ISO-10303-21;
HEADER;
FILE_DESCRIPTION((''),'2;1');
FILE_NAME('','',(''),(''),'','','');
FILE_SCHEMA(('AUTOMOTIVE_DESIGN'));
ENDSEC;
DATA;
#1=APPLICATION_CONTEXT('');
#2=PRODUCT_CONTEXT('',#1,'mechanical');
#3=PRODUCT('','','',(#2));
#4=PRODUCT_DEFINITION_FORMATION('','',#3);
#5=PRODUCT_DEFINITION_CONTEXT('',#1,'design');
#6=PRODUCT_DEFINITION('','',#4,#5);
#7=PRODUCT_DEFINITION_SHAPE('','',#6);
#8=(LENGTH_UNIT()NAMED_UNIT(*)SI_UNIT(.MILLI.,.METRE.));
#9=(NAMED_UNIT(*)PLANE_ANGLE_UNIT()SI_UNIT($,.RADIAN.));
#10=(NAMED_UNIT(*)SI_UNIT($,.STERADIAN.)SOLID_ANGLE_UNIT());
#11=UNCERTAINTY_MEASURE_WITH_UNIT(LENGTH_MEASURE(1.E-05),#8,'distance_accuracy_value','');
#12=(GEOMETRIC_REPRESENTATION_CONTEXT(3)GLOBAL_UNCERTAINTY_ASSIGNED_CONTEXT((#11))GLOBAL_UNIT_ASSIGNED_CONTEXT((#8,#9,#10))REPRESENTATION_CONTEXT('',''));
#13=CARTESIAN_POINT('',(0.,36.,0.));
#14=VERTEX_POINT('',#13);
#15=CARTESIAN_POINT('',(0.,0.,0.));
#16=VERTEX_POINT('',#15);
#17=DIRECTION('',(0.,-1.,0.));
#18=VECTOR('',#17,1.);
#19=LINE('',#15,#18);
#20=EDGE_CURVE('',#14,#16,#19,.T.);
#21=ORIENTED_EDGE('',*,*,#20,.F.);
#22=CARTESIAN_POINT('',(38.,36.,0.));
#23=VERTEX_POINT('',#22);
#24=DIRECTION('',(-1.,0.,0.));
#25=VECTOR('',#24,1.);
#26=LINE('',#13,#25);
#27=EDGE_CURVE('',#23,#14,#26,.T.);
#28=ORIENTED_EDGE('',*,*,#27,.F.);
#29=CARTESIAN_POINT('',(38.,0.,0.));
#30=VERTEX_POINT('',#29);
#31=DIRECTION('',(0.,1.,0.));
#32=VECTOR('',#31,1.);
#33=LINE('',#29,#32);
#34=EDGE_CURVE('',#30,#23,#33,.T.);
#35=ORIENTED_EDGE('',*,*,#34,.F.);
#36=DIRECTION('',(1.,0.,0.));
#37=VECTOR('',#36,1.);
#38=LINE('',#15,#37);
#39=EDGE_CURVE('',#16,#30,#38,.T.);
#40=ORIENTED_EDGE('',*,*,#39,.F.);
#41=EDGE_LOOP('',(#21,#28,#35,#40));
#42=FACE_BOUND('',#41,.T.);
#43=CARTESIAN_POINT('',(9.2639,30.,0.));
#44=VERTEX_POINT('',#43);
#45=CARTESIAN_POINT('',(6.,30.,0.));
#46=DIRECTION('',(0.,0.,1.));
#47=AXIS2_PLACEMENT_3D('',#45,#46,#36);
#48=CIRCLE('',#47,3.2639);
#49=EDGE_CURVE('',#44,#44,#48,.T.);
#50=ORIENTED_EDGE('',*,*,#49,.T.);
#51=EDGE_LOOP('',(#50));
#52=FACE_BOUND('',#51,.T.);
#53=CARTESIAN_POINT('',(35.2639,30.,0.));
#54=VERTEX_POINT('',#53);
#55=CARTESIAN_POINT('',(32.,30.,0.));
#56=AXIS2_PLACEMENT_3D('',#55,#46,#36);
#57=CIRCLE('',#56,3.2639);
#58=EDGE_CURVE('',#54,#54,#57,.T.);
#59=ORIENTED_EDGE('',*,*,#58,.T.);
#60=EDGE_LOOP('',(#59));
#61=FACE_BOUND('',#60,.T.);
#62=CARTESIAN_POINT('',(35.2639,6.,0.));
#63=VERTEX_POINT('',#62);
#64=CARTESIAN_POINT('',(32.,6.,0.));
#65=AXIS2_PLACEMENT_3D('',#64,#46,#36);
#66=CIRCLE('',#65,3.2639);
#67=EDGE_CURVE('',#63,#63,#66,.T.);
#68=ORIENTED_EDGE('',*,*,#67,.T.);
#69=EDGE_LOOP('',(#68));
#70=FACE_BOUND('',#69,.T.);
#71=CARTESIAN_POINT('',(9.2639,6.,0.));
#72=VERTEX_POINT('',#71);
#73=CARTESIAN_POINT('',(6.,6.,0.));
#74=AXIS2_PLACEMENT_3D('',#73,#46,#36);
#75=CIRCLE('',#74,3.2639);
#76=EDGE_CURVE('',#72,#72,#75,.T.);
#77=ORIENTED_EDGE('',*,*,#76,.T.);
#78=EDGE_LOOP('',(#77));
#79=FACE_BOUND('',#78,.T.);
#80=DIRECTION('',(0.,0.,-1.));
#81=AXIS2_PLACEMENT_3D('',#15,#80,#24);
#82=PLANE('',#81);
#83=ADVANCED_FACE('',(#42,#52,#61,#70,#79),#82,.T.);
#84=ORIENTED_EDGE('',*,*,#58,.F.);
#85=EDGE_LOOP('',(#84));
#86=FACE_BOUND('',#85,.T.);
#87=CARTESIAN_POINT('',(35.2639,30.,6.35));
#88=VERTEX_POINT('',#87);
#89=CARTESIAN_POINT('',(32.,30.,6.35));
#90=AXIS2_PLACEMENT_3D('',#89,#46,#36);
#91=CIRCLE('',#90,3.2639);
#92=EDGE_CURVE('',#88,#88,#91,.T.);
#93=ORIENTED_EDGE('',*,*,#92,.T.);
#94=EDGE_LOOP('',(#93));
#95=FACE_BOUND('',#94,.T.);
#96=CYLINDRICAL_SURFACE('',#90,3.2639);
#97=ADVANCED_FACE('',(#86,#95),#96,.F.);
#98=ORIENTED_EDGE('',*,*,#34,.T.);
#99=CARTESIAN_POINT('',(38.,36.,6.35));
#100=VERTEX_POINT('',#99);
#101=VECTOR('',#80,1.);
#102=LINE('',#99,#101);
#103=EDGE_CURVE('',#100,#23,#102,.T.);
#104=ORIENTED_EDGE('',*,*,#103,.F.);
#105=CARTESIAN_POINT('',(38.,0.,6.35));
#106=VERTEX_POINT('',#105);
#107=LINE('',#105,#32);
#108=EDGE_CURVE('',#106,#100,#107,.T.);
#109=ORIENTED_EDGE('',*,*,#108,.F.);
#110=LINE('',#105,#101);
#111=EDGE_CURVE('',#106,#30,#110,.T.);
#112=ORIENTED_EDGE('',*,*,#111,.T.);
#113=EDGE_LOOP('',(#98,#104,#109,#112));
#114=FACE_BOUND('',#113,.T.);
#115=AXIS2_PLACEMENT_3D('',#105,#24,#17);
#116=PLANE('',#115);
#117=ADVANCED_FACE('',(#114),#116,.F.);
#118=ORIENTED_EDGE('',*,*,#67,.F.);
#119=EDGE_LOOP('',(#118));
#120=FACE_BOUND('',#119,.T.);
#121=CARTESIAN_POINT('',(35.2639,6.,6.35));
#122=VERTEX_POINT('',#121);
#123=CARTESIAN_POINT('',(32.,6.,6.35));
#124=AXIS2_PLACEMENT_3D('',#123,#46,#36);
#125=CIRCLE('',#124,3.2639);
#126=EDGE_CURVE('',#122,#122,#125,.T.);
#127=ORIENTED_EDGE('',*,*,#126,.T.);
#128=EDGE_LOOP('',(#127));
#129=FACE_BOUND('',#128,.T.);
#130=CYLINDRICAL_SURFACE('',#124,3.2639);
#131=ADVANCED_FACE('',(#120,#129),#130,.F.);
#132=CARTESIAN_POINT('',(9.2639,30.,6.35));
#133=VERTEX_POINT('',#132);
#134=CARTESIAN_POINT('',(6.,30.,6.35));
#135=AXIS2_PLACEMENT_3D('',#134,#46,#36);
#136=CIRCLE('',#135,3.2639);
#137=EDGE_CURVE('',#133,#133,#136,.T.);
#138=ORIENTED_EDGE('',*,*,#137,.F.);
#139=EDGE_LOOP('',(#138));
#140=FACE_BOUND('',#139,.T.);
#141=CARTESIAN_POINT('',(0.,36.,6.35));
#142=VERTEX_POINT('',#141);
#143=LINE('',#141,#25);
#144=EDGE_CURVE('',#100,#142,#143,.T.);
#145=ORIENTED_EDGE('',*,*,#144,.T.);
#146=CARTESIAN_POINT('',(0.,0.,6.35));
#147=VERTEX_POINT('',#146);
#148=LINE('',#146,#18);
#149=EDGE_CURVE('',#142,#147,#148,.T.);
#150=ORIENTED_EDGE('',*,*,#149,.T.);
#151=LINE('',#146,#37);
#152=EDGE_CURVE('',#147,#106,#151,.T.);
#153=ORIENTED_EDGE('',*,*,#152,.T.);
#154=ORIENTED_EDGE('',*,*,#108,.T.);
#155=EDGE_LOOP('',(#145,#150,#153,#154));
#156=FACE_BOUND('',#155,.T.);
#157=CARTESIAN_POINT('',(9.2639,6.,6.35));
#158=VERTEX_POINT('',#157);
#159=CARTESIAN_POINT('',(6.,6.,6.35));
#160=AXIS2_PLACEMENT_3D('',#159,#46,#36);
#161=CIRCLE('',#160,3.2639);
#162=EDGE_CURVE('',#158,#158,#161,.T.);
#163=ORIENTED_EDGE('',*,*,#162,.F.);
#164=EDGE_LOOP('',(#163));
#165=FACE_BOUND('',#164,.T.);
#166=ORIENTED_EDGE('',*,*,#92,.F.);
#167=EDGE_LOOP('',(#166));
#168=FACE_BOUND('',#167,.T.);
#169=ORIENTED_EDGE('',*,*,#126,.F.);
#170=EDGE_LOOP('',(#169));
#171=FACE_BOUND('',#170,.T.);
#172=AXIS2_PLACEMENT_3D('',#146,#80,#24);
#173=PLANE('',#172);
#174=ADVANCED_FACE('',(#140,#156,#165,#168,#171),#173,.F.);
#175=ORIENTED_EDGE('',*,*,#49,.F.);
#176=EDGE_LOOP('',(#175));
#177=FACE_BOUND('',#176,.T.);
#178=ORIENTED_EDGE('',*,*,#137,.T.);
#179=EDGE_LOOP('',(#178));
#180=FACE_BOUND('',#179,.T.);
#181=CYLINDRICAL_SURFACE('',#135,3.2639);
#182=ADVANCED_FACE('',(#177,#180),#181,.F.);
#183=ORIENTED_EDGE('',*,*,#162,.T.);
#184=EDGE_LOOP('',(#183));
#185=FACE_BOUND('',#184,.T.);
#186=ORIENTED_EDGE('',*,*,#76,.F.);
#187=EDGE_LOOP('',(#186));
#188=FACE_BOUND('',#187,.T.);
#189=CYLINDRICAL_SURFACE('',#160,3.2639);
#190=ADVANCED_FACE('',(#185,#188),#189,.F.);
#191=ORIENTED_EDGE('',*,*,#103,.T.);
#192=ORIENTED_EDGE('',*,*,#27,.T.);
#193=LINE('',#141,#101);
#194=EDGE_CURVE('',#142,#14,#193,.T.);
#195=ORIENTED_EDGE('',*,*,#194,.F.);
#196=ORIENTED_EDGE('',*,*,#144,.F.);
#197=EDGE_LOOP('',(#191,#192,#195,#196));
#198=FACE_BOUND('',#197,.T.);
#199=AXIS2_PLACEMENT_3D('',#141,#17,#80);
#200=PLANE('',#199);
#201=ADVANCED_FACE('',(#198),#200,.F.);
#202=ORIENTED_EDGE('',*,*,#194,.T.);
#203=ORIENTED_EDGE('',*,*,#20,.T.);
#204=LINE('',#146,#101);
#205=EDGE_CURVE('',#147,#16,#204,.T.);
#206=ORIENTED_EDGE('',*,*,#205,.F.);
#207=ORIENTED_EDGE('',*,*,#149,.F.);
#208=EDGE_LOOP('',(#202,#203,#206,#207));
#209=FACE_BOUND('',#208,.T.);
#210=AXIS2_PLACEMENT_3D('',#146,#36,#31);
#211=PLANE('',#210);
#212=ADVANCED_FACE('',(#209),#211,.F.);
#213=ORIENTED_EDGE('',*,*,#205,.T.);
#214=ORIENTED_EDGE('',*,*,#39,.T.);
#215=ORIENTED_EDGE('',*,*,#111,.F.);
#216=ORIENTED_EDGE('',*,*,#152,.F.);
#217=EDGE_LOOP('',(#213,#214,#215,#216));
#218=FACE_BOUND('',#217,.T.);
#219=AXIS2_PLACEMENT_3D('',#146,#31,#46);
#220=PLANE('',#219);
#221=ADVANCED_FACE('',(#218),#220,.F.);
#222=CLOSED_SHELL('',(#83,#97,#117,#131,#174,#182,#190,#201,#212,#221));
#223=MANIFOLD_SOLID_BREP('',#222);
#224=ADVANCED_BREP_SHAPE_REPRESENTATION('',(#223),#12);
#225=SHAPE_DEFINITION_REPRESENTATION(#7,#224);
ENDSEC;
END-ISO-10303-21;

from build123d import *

# Parameters (mm, degrees)
SKETCH1_W               = 38
SKETCH1_H               = 36
BOSS_EXTRUDE1_DEPTH     = 6.35
F_1_4_CLEARANCE_HOLE1_D = 6.5278


with BuildPart() as part:
    # Sketch1 → Boss-Extrude1 (new body)
    with BuildSketch(Plane.XY):
        with Locations((19, 18)):
            Rectangle(SKETCH1_W, SKETCH1_H)
    extrude(amount=BOSS_EXTRUDE1_DEPTH)

    # 1/4 Clearance Hole1 (through all)
    with Locations(Plane.XY.offset(6.35)):
        with Locations((6, 30), (6, 6), (32, 6), (32, 30)):
            Hole(F_1_4_CLEARANCE_HOLE1_D / 2)


solid = part.part
